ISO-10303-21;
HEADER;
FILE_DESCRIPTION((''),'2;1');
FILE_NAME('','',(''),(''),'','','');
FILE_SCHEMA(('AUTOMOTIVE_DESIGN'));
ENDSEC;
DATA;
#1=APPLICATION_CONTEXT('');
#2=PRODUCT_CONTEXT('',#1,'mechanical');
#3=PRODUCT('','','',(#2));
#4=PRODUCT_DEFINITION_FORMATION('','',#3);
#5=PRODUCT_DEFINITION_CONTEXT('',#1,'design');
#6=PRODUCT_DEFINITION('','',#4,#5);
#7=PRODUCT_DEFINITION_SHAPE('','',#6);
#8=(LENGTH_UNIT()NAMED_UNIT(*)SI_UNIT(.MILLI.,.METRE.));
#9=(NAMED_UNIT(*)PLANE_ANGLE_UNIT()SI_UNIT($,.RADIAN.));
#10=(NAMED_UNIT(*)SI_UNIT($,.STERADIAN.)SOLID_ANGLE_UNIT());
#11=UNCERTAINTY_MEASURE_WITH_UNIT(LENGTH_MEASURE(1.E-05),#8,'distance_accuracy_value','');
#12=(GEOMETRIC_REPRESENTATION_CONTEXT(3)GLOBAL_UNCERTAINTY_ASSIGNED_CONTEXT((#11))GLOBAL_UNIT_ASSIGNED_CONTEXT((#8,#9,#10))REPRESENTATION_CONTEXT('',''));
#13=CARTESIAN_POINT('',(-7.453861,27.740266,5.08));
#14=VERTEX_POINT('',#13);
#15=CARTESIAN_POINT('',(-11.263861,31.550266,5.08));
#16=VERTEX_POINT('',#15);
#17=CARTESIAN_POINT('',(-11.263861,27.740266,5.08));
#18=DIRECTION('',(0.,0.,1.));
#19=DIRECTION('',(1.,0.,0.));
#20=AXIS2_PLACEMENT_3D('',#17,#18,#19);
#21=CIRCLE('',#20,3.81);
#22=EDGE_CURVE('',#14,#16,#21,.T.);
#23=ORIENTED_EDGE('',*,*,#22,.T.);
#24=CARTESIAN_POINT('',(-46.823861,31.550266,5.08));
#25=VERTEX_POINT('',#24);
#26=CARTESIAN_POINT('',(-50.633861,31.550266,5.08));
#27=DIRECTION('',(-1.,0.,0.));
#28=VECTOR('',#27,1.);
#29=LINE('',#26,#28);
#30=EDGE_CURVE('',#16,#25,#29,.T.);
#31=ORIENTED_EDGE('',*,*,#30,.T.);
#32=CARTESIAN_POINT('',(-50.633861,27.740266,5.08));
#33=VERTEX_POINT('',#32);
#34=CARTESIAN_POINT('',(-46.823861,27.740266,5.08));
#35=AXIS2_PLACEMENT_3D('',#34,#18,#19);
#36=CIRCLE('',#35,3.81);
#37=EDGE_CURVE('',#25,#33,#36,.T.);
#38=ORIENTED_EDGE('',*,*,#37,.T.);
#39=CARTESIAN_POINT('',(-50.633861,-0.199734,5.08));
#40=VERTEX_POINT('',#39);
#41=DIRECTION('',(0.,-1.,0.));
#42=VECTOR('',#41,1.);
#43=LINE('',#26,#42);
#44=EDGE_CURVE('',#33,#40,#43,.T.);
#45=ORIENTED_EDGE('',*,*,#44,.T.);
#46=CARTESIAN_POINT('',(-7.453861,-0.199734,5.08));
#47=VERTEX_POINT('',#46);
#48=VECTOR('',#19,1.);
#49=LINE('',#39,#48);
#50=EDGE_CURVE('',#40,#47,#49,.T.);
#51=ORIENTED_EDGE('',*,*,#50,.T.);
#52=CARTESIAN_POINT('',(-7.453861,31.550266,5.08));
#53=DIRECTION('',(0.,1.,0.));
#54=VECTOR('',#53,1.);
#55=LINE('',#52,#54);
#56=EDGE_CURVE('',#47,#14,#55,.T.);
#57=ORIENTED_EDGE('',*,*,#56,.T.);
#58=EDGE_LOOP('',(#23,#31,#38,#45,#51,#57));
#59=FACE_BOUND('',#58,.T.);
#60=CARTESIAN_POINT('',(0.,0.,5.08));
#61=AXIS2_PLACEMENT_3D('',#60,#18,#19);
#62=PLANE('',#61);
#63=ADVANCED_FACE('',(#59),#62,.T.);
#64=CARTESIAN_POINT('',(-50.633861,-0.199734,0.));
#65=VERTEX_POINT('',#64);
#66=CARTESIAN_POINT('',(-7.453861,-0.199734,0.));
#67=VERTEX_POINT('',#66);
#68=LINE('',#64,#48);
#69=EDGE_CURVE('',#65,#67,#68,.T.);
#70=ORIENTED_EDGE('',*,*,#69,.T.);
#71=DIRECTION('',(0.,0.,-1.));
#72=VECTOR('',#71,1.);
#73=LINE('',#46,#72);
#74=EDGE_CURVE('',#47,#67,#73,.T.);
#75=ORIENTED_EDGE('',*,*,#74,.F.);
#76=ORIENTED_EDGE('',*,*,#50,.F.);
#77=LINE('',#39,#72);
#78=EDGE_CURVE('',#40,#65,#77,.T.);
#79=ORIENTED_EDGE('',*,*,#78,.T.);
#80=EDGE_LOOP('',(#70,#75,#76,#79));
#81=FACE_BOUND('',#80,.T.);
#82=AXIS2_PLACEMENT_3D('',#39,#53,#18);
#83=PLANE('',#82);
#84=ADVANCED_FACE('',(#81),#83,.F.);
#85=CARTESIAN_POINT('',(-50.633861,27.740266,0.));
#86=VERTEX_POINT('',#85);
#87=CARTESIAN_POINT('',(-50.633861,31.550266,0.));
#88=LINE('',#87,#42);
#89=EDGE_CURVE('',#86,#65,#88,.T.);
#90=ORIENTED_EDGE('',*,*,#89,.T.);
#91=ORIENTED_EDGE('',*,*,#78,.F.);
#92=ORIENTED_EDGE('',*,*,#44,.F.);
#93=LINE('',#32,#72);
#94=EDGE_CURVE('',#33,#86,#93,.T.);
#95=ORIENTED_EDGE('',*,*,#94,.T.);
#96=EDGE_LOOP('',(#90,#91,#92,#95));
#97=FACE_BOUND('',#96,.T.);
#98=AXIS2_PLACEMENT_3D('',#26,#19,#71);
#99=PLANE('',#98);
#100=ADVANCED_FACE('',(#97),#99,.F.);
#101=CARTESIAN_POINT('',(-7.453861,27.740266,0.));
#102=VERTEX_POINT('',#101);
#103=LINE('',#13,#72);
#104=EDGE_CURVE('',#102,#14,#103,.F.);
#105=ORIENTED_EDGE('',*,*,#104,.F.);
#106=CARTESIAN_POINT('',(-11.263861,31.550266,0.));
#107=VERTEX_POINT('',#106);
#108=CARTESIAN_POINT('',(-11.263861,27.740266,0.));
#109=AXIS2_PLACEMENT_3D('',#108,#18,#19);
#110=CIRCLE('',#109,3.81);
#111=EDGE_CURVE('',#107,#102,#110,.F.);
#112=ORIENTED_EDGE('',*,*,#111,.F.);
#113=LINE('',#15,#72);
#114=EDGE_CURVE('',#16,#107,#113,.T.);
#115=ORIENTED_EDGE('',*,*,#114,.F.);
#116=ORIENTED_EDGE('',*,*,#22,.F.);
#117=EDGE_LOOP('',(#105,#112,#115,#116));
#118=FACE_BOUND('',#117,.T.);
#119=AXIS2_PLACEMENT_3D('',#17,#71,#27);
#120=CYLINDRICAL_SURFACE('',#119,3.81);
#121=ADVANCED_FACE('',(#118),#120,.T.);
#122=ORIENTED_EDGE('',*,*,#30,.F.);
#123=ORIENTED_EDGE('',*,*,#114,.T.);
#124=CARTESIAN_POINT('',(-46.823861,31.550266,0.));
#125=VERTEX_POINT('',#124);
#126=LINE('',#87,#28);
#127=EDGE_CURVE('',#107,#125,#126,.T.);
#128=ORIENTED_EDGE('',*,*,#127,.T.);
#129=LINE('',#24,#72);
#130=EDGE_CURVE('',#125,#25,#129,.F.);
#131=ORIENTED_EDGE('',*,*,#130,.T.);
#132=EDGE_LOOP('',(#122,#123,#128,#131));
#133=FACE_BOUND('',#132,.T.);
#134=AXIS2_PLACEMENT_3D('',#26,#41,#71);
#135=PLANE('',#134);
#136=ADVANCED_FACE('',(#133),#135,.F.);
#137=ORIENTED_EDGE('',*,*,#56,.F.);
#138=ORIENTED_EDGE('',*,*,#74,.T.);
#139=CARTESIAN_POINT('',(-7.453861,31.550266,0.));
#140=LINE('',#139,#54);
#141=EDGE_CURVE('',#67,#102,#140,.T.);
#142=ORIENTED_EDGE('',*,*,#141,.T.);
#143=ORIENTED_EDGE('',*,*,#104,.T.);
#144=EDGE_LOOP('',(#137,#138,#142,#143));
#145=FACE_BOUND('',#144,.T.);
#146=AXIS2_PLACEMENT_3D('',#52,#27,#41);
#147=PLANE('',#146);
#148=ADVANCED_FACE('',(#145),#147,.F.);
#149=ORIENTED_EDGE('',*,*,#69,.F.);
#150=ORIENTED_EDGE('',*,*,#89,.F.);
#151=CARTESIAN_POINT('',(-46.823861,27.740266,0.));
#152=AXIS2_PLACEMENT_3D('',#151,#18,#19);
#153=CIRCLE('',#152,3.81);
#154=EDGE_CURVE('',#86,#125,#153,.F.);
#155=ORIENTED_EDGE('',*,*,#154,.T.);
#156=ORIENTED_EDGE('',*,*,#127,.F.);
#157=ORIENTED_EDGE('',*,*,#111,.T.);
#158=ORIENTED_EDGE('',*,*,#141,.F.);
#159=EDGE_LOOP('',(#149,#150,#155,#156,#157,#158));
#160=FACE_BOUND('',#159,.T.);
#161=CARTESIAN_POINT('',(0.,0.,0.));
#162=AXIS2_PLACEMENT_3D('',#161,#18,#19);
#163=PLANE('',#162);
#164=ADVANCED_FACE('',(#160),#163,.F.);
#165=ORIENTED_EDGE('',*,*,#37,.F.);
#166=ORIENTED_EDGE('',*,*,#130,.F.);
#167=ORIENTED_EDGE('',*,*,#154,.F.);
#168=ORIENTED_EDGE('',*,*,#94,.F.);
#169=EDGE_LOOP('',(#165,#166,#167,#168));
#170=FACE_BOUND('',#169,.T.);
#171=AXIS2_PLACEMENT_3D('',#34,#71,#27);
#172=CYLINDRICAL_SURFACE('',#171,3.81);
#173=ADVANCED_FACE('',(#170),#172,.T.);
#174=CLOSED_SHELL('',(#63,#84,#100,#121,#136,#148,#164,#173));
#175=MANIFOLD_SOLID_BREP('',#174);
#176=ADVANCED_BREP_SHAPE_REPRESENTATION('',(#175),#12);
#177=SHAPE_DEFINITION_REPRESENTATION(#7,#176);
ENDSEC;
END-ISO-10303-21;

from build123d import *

# Parameters (mm, degrees)
SKETCH1_W           = 43.18
SKETCH1_H           = 31.75
BOSS_EXTRUDE1_DEPTH = 5.08
FILLET1_R           = 3.81


with BuildPart() as part:
    # Sketch1 → Boss-Extrude1 (new body)
    with BuildSketch(Plane.XY):
        with Locations((-29.043861199, 15.675265785)):
            Rectangle(SKETCH1_W, SKETCH1_H)
    extrude(amount=BOSS_EXTRUDE1_DEPTH)

    # Fillet1
    fillet1_edges = [part.edges().sort_by_distance(p)[0] for p in [
        (-50.633861199, 31.550265785, 2.54),
        (-7.453861199, 31.550265785, 2.54),
    ]]
    fillet(fillet1_edges, radius=FILLET1_R)


solid = part.part
